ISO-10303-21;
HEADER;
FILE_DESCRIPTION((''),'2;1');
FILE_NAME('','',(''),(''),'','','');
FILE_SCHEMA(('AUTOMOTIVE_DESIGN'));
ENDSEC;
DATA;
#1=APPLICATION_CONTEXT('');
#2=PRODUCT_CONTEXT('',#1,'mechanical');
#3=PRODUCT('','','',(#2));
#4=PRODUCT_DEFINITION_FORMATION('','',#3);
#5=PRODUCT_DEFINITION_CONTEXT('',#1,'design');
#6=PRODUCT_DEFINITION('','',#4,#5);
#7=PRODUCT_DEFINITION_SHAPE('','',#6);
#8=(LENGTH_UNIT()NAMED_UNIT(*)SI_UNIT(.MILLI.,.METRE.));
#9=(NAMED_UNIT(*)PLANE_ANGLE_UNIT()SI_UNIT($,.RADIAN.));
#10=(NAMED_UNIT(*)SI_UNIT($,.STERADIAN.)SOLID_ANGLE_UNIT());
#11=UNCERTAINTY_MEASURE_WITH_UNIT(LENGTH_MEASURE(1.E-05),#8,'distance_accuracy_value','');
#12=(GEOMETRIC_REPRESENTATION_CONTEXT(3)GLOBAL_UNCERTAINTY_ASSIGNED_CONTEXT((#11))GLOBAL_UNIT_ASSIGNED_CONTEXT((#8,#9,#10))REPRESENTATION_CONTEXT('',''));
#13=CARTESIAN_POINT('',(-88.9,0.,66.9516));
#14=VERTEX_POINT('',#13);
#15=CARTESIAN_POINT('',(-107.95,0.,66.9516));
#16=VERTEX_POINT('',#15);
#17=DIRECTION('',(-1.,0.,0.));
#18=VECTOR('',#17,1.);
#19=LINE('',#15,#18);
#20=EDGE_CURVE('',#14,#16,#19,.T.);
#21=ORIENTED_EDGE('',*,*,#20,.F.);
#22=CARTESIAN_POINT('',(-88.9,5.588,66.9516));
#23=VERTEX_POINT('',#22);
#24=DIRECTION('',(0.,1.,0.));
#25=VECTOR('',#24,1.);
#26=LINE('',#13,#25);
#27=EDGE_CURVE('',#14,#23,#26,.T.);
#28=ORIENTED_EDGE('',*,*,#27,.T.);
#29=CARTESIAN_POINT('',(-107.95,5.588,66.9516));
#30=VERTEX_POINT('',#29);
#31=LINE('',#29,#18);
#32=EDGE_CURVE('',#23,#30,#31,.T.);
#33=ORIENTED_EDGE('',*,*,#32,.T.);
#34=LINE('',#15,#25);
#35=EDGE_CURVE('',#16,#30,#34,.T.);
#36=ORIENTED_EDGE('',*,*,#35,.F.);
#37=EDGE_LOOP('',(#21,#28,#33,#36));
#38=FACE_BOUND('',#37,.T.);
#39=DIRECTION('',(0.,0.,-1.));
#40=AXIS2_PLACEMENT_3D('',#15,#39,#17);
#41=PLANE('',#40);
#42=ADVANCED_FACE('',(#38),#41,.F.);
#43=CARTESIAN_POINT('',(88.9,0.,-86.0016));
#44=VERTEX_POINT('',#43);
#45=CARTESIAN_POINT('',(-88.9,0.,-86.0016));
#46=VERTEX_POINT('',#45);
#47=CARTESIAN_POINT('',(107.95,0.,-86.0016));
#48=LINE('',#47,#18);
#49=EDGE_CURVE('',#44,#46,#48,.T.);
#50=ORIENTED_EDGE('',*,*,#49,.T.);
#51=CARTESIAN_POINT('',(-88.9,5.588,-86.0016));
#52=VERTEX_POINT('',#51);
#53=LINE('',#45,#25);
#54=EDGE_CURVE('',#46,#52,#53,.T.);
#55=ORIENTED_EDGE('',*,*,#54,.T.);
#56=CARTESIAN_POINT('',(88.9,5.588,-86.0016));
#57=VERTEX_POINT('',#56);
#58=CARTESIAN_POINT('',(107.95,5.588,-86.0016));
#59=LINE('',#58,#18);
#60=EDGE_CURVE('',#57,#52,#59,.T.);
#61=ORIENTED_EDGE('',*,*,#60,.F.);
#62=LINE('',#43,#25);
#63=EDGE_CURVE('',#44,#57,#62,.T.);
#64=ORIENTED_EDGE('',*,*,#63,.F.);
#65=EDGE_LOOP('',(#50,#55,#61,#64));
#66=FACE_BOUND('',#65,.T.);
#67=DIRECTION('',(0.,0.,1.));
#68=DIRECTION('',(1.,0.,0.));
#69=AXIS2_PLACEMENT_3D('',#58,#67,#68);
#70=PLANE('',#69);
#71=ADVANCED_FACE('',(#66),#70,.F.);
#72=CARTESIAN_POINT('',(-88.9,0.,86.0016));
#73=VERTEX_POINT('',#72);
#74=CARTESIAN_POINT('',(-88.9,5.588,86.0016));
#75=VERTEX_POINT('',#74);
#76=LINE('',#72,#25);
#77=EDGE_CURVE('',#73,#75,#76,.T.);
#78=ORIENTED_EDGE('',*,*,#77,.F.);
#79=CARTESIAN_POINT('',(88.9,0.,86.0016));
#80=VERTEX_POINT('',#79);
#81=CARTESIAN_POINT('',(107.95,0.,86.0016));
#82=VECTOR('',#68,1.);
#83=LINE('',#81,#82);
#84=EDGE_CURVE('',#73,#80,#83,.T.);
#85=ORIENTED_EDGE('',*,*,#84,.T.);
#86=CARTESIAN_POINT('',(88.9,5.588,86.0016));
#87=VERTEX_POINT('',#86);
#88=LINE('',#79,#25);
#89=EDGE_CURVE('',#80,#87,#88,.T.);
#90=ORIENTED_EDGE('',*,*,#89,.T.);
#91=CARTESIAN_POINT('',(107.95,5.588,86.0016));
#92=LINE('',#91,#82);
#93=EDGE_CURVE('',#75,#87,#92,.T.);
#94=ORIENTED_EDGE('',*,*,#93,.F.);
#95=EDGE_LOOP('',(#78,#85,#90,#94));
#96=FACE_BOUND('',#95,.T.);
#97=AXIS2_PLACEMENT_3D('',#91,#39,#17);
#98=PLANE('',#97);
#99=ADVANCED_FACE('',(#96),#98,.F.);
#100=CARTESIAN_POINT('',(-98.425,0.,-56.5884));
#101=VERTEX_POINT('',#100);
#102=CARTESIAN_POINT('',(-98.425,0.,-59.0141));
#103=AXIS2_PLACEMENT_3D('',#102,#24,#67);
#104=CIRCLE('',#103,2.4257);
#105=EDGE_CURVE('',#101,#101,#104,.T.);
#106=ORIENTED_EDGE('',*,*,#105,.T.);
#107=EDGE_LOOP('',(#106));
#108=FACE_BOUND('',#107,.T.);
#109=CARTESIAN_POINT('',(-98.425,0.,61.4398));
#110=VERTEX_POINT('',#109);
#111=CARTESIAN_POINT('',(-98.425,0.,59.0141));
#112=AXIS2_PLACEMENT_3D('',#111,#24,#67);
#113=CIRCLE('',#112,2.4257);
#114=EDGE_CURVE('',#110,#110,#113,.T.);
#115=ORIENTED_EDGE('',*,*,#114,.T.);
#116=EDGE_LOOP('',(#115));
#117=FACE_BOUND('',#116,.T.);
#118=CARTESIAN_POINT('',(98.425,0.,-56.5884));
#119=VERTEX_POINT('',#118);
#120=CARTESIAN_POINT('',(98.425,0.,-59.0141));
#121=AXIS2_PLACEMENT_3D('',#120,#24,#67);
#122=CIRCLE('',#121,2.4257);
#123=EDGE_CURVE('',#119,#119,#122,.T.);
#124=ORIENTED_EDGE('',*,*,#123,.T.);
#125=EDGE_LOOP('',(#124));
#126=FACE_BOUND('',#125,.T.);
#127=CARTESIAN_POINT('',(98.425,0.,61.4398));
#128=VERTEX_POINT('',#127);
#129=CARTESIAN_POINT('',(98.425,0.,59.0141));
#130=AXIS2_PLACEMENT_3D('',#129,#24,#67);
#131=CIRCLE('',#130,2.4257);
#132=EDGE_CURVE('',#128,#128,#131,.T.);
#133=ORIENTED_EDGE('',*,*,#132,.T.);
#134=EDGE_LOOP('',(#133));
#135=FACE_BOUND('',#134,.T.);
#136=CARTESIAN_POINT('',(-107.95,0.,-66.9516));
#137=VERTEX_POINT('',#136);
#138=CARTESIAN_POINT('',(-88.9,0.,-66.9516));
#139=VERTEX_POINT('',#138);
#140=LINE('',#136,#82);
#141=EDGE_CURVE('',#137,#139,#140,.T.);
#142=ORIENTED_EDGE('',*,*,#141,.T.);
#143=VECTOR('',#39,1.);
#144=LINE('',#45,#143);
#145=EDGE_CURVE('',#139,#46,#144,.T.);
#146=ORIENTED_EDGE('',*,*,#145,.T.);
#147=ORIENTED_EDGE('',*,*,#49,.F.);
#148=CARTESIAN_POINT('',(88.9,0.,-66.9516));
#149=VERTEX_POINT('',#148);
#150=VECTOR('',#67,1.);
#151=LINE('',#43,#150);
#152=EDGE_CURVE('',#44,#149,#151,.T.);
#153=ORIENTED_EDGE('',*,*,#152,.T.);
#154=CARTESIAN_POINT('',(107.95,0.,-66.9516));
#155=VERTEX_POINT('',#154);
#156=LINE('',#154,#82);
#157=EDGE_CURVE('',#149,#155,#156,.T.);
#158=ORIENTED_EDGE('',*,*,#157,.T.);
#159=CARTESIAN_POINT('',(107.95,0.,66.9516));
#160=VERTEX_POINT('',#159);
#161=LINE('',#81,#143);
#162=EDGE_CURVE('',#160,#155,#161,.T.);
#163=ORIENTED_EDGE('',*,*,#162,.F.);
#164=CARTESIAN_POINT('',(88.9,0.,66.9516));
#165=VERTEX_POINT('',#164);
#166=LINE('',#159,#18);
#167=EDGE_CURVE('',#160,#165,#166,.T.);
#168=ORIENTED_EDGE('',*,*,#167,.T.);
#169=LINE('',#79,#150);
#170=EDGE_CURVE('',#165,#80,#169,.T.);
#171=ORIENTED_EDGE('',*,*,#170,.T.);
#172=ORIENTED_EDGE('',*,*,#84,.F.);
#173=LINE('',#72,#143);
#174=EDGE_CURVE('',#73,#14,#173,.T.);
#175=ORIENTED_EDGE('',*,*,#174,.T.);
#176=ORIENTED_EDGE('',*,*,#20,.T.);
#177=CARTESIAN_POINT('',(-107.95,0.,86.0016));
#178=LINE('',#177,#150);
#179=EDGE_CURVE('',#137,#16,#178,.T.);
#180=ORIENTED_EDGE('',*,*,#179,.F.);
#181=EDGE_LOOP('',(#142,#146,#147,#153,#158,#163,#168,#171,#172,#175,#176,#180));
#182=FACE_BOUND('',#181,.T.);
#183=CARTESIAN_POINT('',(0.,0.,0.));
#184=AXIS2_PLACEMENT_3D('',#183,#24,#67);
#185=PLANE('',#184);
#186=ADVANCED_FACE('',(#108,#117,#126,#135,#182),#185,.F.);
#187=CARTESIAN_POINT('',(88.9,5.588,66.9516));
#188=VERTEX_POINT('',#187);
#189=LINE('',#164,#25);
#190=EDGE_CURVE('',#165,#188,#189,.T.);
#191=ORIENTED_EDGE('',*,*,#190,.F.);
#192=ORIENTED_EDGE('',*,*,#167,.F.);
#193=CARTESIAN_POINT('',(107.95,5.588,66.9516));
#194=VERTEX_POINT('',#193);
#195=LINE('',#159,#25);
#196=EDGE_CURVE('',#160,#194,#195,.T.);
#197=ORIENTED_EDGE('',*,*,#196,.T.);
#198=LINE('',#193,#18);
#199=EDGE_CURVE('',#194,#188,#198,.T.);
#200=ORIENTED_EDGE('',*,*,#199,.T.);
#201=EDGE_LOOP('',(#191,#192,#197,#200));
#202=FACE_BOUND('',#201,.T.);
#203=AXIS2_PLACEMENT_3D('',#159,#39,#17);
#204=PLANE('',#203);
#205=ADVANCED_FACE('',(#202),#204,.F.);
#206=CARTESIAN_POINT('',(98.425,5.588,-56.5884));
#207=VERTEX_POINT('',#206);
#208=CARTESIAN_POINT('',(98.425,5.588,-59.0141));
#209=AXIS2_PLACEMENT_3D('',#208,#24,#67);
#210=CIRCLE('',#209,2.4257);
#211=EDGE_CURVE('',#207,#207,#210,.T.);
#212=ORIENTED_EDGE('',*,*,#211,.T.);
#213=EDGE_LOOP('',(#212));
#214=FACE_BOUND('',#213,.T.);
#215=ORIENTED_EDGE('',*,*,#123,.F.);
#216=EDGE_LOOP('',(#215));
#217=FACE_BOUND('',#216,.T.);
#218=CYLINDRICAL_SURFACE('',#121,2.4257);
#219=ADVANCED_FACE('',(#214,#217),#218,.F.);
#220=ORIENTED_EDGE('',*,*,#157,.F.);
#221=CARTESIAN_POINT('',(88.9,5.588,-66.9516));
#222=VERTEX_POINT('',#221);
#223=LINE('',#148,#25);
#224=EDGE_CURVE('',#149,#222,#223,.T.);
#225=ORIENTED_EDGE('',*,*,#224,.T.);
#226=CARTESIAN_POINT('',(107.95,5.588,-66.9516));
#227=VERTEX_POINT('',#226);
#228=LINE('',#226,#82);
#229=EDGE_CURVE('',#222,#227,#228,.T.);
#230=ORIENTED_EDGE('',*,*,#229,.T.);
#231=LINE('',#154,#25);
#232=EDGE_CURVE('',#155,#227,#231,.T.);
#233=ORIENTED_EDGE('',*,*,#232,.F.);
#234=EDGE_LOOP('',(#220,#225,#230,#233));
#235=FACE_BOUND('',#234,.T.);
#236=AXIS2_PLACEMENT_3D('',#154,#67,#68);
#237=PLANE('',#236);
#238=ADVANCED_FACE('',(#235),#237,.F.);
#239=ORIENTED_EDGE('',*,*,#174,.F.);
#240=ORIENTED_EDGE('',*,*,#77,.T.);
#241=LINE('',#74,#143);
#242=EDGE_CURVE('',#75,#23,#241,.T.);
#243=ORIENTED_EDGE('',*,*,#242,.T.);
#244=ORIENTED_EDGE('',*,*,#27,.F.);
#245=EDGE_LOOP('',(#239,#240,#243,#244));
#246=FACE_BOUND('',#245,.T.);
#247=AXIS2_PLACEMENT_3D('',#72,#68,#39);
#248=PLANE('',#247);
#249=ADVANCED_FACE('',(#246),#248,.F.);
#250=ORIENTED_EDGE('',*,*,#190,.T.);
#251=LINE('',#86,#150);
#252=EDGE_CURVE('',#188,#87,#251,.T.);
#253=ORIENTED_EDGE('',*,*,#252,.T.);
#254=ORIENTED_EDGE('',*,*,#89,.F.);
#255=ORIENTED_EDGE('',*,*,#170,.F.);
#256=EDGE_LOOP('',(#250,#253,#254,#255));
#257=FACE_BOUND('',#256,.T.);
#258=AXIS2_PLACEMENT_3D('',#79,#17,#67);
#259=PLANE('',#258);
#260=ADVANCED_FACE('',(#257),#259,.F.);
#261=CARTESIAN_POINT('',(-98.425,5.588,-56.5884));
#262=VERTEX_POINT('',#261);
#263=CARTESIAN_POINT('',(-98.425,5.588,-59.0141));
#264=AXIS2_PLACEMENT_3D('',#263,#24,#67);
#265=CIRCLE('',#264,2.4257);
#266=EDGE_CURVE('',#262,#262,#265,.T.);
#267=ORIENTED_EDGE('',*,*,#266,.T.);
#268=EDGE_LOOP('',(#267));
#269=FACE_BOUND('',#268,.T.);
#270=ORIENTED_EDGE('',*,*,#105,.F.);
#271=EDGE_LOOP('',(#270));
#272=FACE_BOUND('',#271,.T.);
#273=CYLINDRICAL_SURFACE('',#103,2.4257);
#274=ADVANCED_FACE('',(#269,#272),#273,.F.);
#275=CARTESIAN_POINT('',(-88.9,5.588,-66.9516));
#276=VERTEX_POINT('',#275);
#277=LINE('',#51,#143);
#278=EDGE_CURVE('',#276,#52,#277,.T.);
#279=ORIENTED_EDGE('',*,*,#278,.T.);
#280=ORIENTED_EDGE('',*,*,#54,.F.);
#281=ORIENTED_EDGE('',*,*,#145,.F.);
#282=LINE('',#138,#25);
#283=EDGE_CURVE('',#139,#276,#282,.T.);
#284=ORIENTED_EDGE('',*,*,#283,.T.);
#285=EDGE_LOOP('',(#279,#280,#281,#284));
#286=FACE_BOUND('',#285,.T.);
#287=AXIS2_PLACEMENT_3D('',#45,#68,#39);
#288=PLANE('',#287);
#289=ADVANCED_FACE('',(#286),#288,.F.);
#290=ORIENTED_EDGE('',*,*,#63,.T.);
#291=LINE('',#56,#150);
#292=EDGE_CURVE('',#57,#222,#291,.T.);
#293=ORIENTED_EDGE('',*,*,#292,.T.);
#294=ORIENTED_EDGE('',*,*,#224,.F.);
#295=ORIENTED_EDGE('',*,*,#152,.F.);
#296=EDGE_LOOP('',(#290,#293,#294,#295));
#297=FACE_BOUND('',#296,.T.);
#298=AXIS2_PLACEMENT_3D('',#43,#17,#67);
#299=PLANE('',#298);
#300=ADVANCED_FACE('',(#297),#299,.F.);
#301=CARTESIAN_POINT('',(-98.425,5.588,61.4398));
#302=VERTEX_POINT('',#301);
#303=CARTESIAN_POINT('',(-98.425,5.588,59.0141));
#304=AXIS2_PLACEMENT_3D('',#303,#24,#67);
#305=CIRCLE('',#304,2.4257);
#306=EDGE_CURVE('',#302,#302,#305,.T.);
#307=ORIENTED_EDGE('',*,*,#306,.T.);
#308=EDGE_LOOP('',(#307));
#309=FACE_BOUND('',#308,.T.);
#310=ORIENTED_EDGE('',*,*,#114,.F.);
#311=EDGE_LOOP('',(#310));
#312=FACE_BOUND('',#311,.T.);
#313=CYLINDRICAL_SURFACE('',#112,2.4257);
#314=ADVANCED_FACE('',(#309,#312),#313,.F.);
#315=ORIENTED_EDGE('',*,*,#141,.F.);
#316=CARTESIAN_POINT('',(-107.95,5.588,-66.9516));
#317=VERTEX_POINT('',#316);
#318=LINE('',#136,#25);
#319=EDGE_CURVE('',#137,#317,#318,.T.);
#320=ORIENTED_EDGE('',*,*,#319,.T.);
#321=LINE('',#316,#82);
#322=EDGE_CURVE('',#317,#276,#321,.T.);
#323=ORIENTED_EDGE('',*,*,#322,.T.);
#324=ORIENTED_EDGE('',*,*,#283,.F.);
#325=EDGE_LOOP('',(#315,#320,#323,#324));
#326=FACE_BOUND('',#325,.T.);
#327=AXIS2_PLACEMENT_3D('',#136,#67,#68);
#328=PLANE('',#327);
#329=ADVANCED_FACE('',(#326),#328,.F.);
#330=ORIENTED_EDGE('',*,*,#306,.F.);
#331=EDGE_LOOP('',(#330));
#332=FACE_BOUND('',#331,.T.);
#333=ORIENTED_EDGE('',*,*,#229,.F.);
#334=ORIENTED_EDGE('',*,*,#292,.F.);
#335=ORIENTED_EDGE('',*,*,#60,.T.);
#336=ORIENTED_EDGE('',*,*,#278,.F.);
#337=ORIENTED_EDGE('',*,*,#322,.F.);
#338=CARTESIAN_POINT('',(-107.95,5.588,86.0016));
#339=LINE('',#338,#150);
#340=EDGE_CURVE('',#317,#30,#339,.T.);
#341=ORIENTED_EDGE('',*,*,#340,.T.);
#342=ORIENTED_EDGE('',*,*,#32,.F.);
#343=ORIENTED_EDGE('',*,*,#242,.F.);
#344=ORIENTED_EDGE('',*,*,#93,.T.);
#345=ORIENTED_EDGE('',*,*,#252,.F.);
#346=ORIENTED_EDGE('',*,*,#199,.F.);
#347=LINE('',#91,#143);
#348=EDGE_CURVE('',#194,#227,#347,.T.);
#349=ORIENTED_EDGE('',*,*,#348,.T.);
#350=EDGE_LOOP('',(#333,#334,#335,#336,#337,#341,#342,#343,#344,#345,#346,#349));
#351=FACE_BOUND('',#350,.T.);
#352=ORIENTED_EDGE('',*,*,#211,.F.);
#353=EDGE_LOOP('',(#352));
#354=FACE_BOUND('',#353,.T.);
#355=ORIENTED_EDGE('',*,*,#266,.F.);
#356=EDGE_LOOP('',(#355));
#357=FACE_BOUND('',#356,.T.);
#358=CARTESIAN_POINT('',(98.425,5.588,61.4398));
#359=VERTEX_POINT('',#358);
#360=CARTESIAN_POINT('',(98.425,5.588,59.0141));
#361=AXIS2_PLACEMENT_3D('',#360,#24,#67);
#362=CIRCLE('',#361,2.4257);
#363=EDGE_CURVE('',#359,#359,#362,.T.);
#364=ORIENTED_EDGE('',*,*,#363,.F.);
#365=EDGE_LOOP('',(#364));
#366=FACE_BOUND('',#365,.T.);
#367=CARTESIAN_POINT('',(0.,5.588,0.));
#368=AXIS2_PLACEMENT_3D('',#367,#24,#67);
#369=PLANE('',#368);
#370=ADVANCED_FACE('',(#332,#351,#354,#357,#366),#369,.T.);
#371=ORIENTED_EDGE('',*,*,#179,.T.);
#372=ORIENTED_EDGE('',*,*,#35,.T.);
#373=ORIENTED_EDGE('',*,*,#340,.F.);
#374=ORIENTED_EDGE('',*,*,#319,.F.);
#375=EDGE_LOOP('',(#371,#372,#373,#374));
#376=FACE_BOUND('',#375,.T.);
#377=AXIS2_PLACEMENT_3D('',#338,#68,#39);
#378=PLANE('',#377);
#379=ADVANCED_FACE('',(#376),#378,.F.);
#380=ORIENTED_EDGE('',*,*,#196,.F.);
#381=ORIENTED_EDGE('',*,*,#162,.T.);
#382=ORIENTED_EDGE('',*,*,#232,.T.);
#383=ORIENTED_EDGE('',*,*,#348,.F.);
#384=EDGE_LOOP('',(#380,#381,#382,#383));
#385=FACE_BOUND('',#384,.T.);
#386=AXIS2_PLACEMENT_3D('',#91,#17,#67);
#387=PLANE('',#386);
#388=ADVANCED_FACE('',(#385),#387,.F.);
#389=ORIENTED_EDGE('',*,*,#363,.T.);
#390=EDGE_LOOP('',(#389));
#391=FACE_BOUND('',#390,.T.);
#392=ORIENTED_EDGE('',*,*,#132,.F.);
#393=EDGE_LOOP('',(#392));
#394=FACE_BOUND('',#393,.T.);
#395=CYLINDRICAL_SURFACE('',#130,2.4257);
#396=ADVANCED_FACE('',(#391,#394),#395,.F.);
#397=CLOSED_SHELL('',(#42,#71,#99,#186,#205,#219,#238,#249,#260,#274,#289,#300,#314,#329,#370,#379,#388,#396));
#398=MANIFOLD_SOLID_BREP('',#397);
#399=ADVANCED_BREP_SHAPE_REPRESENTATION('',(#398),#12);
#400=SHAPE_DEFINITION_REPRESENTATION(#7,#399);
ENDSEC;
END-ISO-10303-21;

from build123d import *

# Parameters (mm, degrees)
SKETCH1_W           = 215.9
SKETCH1_H           = 172.003199808
BOSS_EXTRUDE1_DEPTH = 5.588
SKETCH2_W           = 19.05
SKETCH2_H           = 19.05
CORNERCUT_DEPTH     = 139.132919429
SKETCH3_R           = 2.4257
MOUNTHOLES_DEPTH    = 139.132919429


with BuildPart() as part:
    # Sketch1 → Boss-Extrude1 (new body)
    with BuildSketch(Plane(origin=(0, 0, 0), x_dir=(1, 0, 0), z_dir=(0, 1, 0))):
        Rectangle(SKETCH1_W, SKETCH1_H)
    extrude(amount=BOSS_EXTRUDE1_DEPTH)

    # Sketch2 → CornerCut (cut, through all)
    with BuildSketch(Plane(origin=(0, 5.588, 0), x_dir=(1, 0, 0), z_dir=(0, 1, 0))):
        with Locations((-98.425, 76.476599904)):
            Rectangle(SKETCH2_W, SKETCH2_H)
        with Locations((98.425, 76.476599904)):
            Rectangle(SKETCH2_W, SKETCH2_H)
        with Locations((98.425, -76.476599904)):
            Rectangle(SKETCH2_W, SKETCH2_H)
        with Locations((-98.425, -76.476599904)):
            Rectangle(SKETCH2_W, SKETCH2_H)
    extrude(amount=-CORNERCUT_DEPTH, mode=Mode.SUBTRACT)

    # Sketch3 → MountHoles (cut, through all)
    with BuildSketch(Plane(origin=(0, 5.588, 0), x_dir=(1, 0, 0), z_dir=(0, 1, 0))):
        with Locations(Location((-98.425, 59.014099904, 0), (0, 0, 270))):
            Circle(SKETCH3_R)
        with Locations(Location((-98.425, -59.014099904, 0), (0, 0, 270))):
            Circle(SKETCH3_R)
        with Locations(Location((98.425, -59.014099904, 0), (0, 0, 270))):
            Circle(SKETCH3_R)
        with Locations(Location((98.425, 59.014099904, 0), (0, 0, 270))):
            Circle(SKETCH3_R)
    extrude(amount=-MOUNTHOLES_DEPTH, mode=Mode.SUBTRACT)


solid = part.part
